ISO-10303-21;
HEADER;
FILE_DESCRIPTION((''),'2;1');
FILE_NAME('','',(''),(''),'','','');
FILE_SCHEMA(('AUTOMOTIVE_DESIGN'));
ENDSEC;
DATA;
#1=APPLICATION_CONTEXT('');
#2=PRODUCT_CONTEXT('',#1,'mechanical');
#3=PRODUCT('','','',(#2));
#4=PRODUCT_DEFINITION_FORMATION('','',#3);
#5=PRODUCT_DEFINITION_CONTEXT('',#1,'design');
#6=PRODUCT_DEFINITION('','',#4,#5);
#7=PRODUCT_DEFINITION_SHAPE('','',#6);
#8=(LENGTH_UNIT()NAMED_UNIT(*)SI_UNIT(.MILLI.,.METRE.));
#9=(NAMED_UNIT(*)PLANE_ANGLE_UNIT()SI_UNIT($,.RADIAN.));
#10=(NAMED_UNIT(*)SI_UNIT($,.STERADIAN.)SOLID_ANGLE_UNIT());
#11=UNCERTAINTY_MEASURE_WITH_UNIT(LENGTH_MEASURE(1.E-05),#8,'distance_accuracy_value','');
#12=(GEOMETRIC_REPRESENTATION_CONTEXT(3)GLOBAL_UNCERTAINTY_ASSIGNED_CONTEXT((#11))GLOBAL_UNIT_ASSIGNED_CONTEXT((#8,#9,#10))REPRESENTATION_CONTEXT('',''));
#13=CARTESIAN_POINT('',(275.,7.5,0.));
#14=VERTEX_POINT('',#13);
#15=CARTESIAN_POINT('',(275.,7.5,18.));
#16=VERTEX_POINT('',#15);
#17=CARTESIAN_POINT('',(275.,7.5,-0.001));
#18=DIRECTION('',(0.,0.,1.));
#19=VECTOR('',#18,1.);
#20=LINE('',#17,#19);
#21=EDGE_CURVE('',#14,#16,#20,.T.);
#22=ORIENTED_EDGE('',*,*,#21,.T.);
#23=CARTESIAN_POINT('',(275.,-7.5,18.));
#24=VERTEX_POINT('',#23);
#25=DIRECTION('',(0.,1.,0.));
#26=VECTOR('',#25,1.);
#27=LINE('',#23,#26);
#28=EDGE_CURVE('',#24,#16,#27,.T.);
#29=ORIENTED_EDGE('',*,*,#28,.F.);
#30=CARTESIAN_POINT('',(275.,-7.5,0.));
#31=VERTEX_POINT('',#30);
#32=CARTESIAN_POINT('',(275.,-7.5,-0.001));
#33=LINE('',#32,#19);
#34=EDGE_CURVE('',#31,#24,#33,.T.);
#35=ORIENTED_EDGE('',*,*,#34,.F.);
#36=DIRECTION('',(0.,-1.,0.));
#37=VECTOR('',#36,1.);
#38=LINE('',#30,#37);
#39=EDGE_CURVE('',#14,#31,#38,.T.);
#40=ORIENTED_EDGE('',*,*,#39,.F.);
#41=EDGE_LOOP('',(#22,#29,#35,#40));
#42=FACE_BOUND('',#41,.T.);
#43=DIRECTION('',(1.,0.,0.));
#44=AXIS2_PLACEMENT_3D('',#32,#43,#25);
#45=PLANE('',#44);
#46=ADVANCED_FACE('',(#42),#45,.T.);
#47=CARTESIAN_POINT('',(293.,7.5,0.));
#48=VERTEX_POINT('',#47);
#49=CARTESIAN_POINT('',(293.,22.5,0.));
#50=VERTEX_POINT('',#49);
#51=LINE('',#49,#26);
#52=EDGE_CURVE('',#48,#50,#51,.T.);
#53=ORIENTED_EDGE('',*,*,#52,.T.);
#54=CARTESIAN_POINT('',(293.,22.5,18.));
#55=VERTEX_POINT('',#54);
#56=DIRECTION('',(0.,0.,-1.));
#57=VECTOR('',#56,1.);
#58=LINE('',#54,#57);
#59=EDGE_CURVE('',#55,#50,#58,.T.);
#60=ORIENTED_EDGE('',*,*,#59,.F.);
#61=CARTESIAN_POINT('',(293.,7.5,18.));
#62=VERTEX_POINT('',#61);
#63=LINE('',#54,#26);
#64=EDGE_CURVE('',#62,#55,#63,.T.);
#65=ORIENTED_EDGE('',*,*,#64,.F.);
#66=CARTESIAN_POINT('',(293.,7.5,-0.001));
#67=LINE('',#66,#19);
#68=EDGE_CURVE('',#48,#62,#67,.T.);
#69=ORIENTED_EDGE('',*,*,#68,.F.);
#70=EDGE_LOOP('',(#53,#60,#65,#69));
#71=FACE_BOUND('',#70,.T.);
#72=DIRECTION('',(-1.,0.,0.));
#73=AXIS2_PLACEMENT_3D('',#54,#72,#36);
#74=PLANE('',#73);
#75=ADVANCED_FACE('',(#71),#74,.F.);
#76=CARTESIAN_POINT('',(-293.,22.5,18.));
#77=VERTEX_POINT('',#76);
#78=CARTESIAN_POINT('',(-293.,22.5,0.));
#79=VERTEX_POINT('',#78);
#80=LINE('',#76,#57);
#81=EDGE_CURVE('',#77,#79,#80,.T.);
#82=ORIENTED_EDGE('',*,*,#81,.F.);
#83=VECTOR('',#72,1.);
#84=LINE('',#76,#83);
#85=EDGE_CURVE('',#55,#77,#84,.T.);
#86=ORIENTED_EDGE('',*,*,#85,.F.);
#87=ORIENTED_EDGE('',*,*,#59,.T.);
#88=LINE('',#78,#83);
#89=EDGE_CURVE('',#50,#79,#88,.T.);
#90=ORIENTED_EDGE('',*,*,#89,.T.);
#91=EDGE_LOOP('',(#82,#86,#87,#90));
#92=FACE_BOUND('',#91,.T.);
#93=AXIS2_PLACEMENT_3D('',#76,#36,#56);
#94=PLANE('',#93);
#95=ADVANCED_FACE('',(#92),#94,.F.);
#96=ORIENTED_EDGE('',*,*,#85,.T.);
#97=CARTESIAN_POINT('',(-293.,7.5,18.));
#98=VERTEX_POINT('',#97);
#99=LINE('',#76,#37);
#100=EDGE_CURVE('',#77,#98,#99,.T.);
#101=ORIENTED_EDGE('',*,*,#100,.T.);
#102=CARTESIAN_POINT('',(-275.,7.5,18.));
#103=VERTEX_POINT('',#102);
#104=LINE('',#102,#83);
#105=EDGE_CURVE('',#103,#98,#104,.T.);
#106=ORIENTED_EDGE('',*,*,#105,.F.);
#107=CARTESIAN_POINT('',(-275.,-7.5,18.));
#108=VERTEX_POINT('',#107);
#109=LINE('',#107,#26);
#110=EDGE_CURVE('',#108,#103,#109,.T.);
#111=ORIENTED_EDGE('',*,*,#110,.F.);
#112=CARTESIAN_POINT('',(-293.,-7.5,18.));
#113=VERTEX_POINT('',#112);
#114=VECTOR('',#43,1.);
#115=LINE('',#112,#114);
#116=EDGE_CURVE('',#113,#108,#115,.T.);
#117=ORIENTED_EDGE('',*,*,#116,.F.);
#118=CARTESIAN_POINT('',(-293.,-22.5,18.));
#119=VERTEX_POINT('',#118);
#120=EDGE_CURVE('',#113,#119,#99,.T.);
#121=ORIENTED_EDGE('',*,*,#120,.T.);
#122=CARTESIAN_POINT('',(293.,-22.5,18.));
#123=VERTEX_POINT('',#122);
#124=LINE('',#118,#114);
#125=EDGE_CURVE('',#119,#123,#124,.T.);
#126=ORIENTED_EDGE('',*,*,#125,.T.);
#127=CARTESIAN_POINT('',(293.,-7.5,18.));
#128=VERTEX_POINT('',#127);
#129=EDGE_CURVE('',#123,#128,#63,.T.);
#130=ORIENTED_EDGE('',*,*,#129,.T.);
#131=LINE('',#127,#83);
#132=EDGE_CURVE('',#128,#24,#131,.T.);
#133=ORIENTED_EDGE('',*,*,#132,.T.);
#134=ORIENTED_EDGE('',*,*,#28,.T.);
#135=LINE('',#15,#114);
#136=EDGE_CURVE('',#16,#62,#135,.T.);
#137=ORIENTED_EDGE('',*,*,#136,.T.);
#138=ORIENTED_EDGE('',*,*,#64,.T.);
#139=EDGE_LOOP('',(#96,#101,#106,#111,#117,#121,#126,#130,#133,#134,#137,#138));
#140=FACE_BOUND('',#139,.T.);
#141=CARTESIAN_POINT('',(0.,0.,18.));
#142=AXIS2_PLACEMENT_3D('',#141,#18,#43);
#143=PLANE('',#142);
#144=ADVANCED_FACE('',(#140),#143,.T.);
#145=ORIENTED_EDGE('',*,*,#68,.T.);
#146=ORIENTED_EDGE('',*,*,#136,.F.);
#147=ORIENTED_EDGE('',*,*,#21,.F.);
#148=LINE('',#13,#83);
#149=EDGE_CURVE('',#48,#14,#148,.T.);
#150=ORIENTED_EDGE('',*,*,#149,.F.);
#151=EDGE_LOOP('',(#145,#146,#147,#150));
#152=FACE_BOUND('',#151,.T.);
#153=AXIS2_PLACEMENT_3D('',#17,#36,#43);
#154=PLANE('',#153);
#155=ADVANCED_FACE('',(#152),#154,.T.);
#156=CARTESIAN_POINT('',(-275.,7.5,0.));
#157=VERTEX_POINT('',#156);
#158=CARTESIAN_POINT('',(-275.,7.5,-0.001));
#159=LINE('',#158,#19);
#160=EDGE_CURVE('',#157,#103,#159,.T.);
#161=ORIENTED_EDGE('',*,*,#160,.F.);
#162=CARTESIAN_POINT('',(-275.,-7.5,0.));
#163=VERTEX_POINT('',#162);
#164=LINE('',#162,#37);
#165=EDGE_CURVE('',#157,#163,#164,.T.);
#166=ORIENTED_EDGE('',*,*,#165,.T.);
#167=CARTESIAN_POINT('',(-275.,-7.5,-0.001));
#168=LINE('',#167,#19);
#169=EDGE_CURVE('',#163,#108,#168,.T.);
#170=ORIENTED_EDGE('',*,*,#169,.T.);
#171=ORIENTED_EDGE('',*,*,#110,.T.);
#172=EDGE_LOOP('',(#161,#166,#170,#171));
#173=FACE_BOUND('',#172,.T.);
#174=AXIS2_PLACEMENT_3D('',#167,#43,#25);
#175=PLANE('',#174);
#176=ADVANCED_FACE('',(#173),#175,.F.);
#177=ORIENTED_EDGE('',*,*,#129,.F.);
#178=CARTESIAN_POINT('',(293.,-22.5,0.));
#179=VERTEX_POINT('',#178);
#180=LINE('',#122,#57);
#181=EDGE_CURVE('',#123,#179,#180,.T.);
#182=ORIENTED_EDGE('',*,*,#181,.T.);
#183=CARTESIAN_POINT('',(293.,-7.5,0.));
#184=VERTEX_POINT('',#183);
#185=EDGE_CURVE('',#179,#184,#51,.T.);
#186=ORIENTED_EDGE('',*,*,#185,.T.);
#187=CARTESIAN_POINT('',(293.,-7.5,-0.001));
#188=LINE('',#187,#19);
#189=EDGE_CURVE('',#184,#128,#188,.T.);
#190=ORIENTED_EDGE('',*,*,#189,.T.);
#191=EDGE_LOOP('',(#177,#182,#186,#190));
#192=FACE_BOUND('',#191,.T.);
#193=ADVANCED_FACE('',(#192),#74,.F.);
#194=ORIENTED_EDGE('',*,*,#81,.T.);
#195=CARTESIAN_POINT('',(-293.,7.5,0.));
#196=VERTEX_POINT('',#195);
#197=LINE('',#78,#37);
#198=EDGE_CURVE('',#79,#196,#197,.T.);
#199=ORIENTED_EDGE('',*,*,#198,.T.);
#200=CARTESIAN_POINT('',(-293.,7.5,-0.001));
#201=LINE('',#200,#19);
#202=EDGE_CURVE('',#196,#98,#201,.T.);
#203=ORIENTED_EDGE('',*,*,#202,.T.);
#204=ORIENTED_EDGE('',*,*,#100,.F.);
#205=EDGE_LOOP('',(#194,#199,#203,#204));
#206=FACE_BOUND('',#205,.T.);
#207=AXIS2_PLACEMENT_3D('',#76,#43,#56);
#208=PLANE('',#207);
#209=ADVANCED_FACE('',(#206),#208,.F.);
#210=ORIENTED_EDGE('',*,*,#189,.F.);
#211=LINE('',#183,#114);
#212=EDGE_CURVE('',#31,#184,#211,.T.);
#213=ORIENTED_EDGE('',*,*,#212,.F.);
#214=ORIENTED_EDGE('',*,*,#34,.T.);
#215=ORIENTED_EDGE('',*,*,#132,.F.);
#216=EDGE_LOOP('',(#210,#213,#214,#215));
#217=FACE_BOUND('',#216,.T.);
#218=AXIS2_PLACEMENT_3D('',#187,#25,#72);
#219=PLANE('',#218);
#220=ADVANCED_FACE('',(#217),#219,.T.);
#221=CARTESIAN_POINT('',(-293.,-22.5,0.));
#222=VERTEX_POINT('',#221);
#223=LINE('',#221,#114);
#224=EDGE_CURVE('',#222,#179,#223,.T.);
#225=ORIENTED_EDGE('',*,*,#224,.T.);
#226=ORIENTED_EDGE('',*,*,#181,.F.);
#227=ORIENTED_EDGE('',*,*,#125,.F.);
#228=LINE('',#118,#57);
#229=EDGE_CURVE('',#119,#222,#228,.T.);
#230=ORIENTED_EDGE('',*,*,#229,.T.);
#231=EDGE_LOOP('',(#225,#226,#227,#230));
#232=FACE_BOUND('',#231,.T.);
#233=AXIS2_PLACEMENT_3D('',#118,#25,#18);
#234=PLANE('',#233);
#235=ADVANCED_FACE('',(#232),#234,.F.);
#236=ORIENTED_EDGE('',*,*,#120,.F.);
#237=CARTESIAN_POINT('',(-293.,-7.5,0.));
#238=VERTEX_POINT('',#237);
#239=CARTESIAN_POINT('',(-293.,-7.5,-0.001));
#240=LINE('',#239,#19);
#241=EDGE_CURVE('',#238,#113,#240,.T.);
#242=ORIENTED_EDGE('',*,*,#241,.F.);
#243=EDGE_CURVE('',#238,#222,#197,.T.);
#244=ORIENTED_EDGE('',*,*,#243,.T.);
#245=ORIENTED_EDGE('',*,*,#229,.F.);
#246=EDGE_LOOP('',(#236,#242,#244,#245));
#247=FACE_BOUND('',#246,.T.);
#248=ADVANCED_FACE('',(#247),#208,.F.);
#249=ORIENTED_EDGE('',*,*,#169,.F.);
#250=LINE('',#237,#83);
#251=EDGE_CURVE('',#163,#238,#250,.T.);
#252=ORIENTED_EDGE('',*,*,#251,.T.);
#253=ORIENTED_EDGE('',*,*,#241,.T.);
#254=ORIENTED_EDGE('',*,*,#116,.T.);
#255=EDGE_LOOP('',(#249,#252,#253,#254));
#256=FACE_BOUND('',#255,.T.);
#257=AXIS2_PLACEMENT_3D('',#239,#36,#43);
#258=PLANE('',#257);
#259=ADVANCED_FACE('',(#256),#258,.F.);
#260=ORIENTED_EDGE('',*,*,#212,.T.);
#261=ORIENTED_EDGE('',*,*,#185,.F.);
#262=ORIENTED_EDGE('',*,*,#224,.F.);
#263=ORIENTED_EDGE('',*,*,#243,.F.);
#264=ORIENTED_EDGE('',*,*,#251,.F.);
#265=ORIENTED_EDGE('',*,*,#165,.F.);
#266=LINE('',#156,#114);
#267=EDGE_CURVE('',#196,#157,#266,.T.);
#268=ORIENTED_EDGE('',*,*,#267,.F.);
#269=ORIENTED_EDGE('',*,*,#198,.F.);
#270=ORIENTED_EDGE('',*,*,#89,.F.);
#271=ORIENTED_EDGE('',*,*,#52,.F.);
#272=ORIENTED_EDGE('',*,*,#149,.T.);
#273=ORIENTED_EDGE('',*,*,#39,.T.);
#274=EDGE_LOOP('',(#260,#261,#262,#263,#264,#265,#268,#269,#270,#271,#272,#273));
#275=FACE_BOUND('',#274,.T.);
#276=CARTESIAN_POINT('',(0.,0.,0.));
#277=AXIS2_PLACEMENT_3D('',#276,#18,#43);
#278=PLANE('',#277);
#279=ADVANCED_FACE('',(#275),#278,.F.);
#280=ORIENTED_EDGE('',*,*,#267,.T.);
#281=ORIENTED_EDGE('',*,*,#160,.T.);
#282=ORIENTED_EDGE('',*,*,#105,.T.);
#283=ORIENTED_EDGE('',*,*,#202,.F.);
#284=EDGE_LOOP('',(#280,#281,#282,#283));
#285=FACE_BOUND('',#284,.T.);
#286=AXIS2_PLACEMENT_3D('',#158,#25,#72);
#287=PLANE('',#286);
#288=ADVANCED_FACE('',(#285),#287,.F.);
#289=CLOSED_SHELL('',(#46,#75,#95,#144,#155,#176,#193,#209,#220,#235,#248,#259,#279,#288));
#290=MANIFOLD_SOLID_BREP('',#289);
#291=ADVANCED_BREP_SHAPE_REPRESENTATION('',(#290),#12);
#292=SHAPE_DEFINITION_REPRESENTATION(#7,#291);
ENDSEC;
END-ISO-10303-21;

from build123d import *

# Parameters (mm, degrees)
SKETCH1_W             = 586
SKETCH1_H             = 45
EXTRUDE_357_DEPTH     = 18
CUT_EXTRUDE_572_REACH = 296.413
SKETCH2_W             = 18
SKETCH2_H             = 15


with BuildPart() as part:
    # Sketch1 → Extrude 357 (new body)
    with BuildSketch(Plane.XY):
        Rectangle(SKETCH1_W, SKETCH1_H)
    extrude(amount=EXTRUDE_357_DEPTH)

    # Sketch2 → Cut-Extrude 572 (cut, up to next)
    with BuildSketch(Plane.XY.offset(18), mode=Mode.PRIVATE) as cut_extrude_572_sk1:
        with Locations((-284, 0)):
            Rectangle(SKETCH2_W, SKETCH2_H)
    cut_extrude_572_tool1 = extrude(cut_extrude_572_sk1.sketch, amount=-CUT_EXTRUDE_572_REACH, mode=Mode.PRIVATE) & part.part
    cut_extrude_572 = cut_extrude_572_tool1.solids().sort_by_distance((-284, 0, 18))[0]
    add(cut_extrude_572, mode=Mode.SUBTRACT)

    # Mirror1: Cut-Extrude 572 across plane
    add(cut_extrude_572.mirror(Plane(origin=(0, 0, 0), x_dir=(0, 0, 1), z_dir=(1, 0, 0))), mode=Mode.SUBTRACT)


solid = part.part
